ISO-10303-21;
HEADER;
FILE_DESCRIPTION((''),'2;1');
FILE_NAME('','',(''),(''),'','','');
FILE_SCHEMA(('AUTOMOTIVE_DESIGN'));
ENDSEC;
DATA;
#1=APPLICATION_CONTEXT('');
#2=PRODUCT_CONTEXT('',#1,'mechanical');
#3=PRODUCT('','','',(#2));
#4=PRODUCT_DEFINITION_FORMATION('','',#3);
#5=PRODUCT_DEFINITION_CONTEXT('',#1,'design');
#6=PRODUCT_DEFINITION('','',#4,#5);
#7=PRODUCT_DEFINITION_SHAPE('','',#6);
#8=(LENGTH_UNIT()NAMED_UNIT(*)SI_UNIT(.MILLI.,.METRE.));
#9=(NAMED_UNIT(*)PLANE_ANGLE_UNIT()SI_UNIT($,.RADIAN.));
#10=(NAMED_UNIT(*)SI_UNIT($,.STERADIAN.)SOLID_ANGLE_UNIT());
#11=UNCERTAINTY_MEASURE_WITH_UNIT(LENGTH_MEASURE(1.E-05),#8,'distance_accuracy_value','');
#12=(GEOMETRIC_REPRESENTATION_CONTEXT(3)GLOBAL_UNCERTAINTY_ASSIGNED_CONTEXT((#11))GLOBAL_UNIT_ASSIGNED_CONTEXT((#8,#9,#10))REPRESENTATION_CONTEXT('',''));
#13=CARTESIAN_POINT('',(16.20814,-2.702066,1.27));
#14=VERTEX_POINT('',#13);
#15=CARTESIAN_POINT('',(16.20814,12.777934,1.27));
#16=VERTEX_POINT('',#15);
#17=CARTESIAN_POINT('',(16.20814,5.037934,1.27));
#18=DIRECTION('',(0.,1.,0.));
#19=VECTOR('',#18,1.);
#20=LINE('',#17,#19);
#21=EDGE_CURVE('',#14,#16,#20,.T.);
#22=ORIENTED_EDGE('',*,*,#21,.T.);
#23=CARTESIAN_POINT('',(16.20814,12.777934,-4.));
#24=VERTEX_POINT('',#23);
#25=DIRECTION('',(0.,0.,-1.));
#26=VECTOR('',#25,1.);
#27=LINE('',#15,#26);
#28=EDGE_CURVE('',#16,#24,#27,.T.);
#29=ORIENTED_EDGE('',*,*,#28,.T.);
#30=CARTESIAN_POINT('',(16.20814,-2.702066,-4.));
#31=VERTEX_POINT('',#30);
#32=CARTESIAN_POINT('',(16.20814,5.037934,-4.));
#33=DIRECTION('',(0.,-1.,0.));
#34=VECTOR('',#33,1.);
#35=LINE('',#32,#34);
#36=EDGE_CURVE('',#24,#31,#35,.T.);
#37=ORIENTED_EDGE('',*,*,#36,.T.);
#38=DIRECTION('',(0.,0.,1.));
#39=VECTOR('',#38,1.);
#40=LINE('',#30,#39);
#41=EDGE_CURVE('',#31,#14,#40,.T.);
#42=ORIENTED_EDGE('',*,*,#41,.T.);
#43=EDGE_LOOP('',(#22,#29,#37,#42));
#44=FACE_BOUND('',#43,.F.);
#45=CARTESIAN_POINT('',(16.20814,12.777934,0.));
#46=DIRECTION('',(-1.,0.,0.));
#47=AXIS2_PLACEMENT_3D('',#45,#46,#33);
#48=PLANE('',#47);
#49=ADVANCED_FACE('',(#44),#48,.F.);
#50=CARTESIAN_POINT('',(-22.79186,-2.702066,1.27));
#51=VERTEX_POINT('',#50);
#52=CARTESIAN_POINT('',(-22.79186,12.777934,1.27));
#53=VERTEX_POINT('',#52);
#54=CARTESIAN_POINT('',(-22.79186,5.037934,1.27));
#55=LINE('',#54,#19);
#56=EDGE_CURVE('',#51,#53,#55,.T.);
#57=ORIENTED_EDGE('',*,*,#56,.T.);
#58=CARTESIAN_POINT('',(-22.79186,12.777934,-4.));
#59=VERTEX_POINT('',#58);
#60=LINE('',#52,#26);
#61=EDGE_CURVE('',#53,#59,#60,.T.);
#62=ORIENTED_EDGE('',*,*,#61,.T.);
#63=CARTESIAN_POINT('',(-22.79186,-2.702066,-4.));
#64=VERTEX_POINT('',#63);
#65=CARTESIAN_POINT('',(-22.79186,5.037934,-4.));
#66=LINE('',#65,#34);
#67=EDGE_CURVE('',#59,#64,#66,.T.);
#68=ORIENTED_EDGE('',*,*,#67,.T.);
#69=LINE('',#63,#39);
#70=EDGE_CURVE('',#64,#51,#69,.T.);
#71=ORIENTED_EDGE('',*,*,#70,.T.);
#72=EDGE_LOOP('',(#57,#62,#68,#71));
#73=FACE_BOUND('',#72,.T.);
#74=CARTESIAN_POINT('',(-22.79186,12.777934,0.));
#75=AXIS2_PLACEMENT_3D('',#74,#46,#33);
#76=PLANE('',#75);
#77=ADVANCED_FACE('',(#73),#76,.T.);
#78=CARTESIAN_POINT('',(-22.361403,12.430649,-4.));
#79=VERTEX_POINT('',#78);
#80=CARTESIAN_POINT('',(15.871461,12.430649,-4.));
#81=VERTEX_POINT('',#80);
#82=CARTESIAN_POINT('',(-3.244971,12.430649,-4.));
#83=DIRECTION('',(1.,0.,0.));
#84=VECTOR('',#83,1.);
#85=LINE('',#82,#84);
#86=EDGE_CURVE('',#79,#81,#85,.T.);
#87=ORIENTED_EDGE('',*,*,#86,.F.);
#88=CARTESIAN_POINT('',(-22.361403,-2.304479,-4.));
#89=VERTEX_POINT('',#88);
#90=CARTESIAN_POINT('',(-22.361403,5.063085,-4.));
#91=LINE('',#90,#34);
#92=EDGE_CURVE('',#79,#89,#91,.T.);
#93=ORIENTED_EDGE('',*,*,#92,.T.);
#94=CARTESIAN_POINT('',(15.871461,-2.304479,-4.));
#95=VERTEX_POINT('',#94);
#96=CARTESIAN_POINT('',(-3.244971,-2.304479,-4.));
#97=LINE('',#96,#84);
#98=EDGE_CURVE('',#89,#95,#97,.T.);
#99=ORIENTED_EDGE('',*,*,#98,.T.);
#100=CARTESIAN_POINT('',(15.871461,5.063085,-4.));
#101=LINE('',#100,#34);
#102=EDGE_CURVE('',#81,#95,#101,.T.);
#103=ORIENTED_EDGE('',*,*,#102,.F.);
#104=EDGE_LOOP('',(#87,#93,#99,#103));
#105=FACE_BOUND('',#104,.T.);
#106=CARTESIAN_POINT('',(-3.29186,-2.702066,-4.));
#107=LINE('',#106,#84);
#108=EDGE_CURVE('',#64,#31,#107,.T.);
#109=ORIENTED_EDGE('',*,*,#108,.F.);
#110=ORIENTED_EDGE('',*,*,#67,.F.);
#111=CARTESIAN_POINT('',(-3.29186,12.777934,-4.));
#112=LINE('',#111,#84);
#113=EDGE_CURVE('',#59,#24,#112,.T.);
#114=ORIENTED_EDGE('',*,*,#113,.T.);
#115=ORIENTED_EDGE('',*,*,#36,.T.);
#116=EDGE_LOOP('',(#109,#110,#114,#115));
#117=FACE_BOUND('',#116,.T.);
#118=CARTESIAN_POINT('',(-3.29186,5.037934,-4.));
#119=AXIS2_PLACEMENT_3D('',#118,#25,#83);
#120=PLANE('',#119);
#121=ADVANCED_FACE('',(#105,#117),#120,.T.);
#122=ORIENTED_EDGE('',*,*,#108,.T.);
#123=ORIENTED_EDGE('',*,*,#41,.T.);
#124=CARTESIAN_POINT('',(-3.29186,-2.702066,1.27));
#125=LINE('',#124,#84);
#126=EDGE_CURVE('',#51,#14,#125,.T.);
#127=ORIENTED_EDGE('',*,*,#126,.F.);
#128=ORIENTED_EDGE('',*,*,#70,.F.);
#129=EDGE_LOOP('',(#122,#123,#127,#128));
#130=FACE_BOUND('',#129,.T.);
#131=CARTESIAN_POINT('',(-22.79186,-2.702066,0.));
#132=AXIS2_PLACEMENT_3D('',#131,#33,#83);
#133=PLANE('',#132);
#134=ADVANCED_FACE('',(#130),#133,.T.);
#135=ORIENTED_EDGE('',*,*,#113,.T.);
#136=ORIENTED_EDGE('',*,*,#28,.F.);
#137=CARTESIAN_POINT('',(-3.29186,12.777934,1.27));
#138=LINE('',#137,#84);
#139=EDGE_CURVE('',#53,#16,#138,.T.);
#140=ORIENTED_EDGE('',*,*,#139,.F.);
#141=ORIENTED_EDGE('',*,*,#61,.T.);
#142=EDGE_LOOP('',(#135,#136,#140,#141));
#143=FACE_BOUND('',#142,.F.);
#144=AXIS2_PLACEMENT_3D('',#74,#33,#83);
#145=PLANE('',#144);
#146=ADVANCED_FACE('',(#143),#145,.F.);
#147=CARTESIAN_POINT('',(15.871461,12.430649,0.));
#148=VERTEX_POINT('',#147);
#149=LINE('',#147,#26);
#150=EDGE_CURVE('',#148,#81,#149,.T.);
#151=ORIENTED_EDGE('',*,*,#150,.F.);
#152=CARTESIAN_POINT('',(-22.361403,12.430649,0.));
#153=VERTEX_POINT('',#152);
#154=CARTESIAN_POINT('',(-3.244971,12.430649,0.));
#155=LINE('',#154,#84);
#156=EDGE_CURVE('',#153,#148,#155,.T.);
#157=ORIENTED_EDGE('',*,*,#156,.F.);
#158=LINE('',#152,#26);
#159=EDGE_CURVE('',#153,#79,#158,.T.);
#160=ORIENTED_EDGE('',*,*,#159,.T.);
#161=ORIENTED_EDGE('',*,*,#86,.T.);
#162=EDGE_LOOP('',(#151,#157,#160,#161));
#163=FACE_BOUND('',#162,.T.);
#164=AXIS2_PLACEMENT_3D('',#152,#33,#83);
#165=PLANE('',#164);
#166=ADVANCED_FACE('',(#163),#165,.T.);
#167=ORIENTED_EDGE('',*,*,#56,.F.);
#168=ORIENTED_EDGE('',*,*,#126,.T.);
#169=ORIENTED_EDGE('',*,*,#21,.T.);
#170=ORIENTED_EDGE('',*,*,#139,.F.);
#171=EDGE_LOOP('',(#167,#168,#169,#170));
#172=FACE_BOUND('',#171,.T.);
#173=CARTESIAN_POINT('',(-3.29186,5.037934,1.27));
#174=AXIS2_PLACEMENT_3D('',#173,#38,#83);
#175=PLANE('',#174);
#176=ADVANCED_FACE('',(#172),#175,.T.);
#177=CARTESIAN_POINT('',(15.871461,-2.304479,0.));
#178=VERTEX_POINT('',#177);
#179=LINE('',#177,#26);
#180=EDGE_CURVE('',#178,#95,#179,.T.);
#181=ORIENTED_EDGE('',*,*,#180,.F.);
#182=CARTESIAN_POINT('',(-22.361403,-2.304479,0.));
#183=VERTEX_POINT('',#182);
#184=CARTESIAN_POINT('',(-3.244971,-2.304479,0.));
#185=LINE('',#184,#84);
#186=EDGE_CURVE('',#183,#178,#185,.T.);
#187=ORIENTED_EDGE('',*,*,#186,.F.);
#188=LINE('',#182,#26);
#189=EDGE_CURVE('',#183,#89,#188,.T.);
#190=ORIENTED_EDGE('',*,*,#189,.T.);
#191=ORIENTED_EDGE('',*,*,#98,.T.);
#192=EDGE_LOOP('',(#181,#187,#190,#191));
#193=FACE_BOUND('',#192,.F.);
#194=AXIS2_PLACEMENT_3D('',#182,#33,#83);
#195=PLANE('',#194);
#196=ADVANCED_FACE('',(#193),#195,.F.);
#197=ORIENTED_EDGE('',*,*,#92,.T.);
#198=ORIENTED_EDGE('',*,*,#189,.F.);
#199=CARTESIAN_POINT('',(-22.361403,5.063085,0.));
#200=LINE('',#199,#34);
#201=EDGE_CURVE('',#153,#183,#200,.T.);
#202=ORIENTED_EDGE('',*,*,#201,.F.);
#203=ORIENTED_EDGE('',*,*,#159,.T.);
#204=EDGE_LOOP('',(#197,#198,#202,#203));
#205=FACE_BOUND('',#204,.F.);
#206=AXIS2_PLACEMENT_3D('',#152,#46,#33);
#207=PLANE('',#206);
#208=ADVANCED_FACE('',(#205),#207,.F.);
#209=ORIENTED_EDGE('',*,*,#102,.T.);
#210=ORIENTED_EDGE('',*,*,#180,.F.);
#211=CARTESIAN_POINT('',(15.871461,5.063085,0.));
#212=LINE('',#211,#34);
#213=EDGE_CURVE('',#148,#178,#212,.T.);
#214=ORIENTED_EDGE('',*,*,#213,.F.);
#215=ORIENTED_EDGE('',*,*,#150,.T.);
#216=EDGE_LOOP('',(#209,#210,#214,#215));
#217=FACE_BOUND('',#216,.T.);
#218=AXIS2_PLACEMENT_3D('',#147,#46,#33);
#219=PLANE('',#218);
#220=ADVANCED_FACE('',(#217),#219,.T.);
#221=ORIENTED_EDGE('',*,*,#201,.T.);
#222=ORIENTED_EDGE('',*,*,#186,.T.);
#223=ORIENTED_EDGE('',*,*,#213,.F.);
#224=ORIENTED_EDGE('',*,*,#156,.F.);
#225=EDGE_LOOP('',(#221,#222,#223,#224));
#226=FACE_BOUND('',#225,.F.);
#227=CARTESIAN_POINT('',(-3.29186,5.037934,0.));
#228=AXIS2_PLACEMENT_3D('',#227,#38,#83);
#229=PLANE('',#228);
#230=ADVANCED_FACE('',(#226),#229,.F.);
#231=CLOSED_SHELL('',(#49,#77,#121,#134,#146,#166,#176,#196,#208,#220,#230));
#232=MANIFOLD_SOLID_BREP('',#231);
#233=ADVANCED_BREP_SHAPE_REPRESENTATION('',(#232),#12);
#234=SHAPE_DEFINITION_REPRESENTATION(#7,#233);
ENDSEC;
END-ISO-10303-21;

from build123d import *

# Parameters (mm, degrees)
F0_W     = 39
F0_H     = 15.48
F1_DEPTH = 1.27
F2_W     = 39
F2_H     = 15.48
F2_W_2   = 38.232864
F2_H_2   = 14.735129
F3_DEPTH = 4


with BuildPart() as f1:
    # F0 (on Top) → F1 (new body)
    with BuildSketch(Plane.XY):
        with Locations((-3.29186, 5.037934)):
            Rectangle(F0_W, F0_H)
    extrude(amount=F1_DEPTH)

    # F2 (on face) → F3 (join)
    with BuildSketch(Plane(origin=(0, 0, 0), x_dir=(1, 0, 0), z_dir=(0, 0, -1))):
        with Locations((-3.29186, -5.037934)):
            Rectangle(F2_W, F2_H)
        with Locations((-3.244971, -5.063085)):
            Rectangle(F2_W_2, F2_H_2, mode=Mode.SUBTRACT)
    extrude(amount=F3_DEPTH)


solid = f1.part
